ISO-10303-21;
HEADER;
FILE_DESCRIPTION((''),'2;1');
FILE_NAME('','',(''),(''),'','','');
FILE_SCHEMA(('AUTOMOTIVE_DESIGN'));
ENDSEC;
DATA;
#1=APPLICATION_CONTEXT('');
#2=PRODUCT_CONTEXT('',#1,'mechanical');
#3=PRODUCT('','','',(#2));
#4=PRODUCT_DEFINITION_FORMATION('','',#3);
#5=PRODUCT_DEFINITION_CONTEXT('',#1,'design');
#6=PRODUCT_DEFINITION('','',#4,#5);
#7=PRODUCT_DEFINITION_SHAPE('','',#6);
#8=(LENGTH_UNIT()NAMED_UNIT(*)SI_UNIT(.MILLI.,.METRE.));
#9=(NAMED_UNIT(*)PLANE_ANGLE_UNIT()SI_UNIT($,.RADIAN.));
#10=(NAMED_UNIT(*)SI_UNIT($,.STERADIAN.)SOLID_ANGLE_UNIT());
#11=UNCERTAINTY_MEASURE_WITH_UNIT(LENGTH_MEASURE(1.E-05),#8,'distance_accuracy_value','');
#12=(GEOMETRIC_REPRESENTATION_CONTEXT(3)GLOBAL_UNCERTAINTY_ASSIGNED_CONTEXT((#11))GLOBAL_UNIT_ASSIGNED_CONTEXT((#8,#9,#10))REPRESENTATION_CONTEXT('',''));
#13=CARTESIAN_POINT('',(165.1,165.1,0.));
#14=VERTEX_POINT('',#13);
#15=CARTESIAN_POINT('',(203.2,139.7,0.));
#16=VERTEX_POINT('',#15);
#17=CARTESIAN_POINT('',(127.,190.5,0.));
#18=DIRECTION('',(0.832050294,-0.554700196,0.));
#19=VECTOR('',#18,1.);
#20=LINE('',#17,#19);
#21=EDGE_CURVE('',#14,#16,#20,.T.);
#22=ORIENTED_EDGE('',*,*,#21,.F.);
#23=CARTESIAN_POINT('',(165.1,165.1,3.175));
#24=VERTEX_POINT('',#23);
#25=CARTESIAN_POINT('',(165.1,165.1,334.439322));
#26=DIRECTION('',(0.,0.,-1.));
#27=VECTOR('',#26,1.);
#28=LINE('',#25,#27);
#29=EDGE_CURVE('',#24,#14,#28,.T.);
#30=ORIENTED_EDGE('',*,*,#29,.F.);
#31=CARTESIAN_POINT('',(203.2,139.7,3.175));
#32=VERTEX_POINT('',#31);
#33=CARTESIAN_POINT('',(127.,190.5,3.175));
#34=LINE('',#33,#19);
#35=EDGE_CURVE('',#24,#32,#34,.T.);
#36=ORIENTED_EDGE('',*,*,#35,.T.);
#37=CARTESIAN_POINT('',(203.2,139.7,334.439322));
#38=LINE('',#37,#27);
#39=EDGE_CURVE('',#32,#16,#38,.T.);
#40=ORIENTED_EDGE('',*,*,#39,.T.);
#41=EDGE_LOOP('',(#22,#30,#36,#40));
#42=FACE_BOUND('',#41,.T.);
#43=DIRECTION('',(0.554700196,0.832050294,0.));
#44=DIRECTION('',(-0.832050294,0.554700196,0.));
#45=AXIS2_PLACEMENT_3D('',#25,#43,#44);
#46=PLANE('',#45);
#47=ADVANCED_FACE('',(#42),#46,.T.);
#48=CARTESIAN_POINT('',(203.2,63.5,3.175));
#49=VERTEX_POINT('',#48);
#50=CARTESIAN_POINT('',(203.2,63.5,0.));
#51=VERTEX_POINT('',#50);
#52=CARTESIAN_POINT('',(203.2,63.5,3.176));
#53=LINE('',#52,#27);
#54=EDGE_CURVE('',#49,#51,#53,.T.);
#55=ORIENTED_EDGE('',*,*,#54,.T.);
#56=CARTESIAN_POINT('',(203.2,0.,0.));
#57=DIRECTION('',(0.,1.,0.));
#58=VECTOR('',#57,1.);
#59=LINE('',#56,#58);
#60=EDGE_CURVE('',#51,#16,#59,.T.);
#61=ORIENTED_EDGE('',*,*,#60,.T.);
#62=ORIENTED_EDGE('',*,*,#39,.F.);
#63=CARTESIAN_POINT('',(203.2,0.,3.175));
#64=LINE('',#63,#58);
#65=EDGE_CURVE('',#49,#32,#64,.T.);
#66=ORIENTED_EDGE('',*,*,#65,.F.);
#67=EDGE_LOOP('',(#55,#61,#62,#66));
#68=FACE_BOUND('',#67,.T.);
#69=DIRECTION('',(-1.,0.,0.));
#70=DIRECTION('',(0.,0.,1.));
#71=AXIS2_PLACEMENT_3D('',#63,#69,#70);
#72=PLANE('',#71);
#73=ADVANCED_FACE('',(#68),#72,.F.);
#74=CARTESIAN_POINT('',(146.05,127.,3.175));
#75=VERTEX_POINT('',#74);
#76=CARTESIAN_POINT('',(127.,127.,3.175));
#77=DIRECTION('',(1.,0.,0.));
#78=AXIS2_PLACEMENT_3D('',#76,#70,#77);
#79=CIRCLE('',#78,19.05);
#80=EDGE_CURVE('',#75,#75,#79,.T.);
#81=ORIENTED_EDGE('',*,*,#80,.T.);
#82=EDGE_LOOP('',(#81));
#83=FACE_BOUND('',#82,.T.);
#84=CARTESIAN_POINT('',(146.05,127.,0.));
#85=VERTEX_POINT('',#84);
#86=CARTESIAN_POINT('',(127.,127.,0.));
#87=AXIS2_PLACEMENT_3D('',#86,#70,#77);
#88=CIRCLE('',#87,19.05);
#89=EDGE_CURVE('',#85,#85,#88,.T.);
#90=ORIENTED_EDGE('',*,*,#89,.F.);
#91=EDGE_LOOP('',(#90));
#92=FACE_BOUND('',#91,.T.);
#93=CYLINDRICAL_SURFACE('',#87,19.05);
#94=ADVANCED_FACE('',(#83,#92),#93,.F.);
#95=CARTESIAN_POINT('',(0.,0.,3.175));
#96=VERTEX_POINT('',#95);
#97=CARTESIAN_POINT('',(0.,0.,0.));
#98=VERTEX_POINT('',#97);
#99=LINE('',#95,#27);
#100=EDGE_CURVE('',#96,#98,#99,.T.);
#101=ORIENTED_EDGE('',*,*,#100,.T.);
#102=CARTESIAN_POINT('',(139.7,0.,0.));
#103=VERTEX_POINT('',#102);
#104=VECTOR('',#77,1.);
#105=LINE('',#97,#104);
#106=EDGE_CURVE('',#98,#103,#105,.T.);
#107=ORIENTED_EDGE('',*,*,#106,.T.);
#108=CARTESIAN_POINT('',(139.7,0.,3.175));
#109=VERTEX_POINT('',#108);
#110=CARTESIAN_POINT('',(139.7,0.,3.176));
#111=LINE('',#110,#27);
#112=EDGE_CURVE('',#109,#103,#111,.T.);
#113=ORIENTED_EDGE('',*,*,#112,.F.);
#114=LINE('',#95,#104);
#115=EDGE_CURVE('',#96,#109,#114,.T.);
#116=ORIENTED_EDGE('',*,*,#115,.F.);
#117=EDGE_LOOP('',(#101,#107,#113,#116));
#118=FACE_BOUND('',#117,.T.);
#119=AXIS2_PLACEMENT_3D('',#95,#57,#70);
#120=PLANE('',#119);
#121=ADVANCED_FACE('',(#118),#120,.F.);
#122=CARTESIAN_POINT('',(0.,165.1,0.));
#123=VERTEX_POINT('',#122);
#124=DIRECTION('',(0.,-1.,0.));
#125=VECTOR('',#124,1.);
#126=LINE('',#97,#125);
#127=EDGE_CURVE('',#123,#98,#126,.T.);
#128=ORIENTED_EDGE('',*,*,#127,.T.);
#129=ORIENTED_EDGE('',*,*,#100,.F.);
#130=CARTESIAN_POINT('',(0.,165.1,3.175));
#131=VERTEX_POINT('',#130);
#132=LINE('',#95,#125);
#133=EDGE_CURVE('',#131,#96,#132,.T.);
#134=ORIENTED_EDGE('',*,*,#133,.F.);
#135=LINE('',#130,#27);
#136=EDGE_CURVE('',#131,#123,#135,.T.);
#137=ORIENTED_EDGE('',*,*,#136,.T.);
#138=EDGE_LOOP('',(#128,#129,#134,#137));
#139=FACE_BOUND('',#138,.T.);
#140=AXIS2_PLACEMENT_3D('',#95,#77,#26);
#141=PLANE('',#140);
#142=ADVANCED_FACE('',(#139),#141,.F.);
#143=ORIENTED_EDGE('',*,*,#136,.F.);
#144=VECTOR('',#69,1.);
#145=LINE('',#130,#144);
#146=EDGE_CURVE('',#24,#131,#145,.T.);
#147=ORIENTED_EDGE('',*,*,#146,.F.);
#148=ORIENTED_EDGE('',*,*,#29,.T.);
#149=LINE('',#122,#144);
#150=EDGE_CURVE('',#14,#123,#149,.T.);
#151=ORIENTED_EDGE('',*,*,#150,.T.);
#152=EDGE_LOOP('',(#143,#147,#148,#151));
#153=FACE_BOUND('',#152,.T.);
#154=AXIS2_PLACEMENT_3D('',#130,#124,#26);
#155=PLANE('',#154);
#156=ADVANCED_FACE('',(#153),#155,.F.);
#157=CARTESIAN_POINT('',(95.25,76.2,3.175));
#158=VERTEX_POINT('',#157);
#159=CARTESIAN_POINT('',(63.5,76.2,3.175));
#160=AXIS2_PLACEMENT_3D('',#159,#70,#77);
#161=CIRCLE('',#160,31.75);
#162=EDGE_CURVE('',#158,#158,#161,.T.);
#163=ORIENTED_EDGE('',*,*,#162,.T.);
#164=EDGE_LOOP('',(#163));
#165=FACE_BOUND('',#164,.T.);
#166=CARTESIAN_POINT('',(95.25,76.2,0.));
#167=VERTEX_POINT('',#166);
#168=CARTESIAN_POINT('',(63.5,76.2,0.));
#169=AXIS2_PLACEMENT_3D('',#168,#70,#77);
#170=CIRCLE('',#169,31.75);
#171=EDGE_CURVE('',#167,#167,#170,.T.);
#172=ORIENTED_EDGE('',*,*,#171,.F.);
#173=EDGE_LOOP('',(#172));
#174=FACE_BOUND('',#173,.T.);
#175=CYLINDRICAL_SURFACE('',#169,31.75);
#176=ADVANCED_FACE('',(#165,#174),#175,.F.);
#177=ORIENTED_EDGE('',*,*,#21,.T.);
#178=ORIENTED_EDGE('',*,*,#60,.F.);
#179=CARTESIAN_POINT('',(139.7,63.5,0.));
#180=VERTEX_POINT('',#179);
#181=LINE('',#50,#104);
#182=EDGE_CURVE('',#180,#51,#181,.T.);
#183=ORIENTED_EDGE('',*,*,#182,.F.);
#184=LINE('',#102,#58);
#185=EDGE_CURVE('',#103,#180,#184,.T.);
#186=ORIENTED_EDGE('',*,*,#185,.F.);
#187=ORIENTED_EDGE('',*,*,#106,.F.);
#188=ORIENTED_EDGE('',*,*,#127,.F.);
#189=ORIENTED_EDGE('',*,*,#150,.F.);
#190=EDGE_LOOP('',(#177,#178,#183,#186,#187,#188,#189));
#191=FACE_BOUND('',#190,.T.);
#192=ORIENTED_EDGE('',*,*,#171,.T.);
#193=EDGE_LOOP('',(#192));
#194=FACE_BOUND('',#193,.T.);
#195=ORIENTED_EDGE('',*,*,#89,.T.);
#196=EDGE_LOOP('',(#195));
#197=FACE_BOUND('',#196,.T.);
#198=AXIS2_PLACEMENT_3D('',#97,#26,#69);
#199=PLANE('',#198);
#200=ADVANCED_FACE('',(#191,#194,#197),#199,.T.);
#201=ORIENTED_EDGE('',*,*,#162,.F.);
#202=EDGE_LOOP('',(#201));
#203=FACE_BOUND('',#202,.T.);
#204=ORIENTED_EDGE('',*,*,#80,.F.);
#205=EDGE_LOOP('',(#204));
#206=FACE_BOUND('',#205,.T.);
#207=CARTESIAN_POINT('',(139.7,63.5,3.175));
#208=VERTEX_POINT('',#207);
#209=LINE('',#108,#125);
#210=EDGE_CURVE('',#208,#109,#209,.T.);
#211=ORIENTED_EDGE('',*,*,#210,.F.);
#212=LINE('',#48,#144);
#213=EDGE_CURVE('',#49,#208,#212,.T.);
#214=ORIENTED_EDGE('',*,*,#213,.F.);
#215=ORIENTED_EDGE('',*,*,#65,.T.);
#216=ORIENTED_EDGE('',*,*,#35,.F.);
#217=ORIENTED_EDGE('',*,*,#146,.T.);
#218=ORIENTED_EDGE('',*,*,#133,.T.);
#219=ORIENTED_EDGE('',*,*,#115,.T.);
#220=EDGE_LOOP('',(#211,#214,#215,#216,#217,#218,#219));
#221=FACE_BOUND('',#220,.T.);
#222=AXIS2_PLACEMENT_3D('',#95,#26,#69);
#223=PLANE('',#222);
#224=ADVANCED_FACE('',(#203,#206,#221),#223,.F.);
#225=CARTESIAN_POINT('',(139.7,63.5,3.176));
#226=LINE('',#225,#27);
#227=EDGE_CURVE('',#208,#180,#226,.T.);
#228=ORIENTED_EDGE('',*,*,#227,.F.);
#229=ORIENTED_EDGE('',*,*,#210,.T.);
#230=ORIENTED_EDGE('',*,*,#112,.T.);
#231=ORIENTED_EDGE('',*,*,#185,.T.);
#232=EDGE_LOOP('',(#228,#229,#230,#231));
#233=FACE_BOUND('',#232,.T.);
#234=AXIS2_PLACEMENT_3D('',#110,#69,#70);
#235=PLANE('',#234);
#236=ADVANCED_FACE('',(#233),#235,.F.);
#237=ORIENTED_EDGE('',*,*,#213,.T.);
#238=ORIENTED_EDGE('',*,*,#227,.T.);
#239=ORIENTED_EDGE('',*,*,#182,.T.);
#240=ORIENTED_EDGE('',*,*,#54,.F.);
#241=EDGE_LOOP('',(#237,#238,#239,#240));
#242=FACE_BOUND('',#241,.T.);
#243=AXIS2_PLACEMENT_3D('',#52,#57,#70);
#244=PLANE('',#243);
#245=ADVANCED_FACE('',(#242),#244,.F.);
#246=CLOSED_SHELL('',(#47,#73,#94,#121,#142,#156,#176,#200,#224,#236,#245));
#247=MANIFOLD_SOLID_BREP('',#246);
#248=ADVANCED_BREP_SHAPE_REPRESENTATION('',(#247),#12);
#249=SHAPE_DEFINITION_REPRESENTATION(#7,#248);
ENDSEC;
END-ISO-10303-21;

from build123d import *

# Parameters (mm, degrees)
SKETCH2_W               = 203.2
SKETCH2_H               = 165.1
BOSS_EXTRUDE1_DEPTH     = 3.175
CUT_EXTRUDE1_REACH      = 263.836
SKETCH6_W               = 63.5
SKETCH6_H               = 63.5
CUT_EXTRUDE3_DEPTH      = 262.836457784
CUT_EXTRUDE3_DEPTH_BACK = 262.836457784
SKETCH13_R              = 19.05
SKETCH13_R_2            = 31.75
CUT_EXTRUDE4_DEPTH      = 262.836457784


with BuildPart() as part:
    # Sketch2 → Boss-Extrude1 (new body)
    with BuildSketch(Plane.XY):
        with Locations((101.6, 82.55)):
            Rectangle(SKETCH2_W, SKETCH2_H)
    extrude(amount=BOSS_EXTRUDE1_DEPTH)

    # Sketch6 → Cut-Extrude1 (cut, up to next)
    with BuildSketch(Plane(origin=(0, 0, 0), x_dir=(-1, 0, 0), z_dir=(0, 0, -1)), mode=Mode.PRIVATE) as cut_extrude1_sk1:
        with Locations((-171.45, 31.75)):
            Rectangle(SKETCH6_W, SKETCH6_H)
    cut_extrude1_tool1 = extrude(cut_extrude1_sk1.sketch, amount=-CUT_EXTRUDE1_REACH, mode=Mode.PRIVATE) & part.part
    add(cut_extrude1_tool1.solids().sort_by_distance((171.45, 31.75, 0))[0], mode=Mode.SUBTRACT)

    # Sketch7 → Cut-Extrude3 (cut, two sides: drawn at the far end of the back side and taken through both)
    with BuildSketch(Plane.XY.offset(3.175).offset(-CUT_EXTRUDE3_DEPTH_BACK)):
        Polygon((-253.570061247, 444.213374165), (165.1, 165.1), (203.2, 139.7), (621.870061247, -139.413374165), (1180.096809576, 697.926748329), (304.656687082, 1281.553496659), align=None)
    extrude(amount=CUT_EXTRUDE3_DEPTH + CUT_EXTRUDE3_DEPTH_BACK, mode=Mode.SUBTRACT)

    # Sketch13 → Cut-Extrude4 (cut, through all)
    with BuildSketch(Plane.XY.offset(3.175)):
        with Locations((127, 127)):
            Circle(SKETCH13_R)
        with Locations((63.5, 76.2)):
            Circle(SKETCH13_R_2)
    extrude(amount=-CUT_EXTRUDE4_DEPTH, mode=Mode.SUBTRACT)


solid = part.part
